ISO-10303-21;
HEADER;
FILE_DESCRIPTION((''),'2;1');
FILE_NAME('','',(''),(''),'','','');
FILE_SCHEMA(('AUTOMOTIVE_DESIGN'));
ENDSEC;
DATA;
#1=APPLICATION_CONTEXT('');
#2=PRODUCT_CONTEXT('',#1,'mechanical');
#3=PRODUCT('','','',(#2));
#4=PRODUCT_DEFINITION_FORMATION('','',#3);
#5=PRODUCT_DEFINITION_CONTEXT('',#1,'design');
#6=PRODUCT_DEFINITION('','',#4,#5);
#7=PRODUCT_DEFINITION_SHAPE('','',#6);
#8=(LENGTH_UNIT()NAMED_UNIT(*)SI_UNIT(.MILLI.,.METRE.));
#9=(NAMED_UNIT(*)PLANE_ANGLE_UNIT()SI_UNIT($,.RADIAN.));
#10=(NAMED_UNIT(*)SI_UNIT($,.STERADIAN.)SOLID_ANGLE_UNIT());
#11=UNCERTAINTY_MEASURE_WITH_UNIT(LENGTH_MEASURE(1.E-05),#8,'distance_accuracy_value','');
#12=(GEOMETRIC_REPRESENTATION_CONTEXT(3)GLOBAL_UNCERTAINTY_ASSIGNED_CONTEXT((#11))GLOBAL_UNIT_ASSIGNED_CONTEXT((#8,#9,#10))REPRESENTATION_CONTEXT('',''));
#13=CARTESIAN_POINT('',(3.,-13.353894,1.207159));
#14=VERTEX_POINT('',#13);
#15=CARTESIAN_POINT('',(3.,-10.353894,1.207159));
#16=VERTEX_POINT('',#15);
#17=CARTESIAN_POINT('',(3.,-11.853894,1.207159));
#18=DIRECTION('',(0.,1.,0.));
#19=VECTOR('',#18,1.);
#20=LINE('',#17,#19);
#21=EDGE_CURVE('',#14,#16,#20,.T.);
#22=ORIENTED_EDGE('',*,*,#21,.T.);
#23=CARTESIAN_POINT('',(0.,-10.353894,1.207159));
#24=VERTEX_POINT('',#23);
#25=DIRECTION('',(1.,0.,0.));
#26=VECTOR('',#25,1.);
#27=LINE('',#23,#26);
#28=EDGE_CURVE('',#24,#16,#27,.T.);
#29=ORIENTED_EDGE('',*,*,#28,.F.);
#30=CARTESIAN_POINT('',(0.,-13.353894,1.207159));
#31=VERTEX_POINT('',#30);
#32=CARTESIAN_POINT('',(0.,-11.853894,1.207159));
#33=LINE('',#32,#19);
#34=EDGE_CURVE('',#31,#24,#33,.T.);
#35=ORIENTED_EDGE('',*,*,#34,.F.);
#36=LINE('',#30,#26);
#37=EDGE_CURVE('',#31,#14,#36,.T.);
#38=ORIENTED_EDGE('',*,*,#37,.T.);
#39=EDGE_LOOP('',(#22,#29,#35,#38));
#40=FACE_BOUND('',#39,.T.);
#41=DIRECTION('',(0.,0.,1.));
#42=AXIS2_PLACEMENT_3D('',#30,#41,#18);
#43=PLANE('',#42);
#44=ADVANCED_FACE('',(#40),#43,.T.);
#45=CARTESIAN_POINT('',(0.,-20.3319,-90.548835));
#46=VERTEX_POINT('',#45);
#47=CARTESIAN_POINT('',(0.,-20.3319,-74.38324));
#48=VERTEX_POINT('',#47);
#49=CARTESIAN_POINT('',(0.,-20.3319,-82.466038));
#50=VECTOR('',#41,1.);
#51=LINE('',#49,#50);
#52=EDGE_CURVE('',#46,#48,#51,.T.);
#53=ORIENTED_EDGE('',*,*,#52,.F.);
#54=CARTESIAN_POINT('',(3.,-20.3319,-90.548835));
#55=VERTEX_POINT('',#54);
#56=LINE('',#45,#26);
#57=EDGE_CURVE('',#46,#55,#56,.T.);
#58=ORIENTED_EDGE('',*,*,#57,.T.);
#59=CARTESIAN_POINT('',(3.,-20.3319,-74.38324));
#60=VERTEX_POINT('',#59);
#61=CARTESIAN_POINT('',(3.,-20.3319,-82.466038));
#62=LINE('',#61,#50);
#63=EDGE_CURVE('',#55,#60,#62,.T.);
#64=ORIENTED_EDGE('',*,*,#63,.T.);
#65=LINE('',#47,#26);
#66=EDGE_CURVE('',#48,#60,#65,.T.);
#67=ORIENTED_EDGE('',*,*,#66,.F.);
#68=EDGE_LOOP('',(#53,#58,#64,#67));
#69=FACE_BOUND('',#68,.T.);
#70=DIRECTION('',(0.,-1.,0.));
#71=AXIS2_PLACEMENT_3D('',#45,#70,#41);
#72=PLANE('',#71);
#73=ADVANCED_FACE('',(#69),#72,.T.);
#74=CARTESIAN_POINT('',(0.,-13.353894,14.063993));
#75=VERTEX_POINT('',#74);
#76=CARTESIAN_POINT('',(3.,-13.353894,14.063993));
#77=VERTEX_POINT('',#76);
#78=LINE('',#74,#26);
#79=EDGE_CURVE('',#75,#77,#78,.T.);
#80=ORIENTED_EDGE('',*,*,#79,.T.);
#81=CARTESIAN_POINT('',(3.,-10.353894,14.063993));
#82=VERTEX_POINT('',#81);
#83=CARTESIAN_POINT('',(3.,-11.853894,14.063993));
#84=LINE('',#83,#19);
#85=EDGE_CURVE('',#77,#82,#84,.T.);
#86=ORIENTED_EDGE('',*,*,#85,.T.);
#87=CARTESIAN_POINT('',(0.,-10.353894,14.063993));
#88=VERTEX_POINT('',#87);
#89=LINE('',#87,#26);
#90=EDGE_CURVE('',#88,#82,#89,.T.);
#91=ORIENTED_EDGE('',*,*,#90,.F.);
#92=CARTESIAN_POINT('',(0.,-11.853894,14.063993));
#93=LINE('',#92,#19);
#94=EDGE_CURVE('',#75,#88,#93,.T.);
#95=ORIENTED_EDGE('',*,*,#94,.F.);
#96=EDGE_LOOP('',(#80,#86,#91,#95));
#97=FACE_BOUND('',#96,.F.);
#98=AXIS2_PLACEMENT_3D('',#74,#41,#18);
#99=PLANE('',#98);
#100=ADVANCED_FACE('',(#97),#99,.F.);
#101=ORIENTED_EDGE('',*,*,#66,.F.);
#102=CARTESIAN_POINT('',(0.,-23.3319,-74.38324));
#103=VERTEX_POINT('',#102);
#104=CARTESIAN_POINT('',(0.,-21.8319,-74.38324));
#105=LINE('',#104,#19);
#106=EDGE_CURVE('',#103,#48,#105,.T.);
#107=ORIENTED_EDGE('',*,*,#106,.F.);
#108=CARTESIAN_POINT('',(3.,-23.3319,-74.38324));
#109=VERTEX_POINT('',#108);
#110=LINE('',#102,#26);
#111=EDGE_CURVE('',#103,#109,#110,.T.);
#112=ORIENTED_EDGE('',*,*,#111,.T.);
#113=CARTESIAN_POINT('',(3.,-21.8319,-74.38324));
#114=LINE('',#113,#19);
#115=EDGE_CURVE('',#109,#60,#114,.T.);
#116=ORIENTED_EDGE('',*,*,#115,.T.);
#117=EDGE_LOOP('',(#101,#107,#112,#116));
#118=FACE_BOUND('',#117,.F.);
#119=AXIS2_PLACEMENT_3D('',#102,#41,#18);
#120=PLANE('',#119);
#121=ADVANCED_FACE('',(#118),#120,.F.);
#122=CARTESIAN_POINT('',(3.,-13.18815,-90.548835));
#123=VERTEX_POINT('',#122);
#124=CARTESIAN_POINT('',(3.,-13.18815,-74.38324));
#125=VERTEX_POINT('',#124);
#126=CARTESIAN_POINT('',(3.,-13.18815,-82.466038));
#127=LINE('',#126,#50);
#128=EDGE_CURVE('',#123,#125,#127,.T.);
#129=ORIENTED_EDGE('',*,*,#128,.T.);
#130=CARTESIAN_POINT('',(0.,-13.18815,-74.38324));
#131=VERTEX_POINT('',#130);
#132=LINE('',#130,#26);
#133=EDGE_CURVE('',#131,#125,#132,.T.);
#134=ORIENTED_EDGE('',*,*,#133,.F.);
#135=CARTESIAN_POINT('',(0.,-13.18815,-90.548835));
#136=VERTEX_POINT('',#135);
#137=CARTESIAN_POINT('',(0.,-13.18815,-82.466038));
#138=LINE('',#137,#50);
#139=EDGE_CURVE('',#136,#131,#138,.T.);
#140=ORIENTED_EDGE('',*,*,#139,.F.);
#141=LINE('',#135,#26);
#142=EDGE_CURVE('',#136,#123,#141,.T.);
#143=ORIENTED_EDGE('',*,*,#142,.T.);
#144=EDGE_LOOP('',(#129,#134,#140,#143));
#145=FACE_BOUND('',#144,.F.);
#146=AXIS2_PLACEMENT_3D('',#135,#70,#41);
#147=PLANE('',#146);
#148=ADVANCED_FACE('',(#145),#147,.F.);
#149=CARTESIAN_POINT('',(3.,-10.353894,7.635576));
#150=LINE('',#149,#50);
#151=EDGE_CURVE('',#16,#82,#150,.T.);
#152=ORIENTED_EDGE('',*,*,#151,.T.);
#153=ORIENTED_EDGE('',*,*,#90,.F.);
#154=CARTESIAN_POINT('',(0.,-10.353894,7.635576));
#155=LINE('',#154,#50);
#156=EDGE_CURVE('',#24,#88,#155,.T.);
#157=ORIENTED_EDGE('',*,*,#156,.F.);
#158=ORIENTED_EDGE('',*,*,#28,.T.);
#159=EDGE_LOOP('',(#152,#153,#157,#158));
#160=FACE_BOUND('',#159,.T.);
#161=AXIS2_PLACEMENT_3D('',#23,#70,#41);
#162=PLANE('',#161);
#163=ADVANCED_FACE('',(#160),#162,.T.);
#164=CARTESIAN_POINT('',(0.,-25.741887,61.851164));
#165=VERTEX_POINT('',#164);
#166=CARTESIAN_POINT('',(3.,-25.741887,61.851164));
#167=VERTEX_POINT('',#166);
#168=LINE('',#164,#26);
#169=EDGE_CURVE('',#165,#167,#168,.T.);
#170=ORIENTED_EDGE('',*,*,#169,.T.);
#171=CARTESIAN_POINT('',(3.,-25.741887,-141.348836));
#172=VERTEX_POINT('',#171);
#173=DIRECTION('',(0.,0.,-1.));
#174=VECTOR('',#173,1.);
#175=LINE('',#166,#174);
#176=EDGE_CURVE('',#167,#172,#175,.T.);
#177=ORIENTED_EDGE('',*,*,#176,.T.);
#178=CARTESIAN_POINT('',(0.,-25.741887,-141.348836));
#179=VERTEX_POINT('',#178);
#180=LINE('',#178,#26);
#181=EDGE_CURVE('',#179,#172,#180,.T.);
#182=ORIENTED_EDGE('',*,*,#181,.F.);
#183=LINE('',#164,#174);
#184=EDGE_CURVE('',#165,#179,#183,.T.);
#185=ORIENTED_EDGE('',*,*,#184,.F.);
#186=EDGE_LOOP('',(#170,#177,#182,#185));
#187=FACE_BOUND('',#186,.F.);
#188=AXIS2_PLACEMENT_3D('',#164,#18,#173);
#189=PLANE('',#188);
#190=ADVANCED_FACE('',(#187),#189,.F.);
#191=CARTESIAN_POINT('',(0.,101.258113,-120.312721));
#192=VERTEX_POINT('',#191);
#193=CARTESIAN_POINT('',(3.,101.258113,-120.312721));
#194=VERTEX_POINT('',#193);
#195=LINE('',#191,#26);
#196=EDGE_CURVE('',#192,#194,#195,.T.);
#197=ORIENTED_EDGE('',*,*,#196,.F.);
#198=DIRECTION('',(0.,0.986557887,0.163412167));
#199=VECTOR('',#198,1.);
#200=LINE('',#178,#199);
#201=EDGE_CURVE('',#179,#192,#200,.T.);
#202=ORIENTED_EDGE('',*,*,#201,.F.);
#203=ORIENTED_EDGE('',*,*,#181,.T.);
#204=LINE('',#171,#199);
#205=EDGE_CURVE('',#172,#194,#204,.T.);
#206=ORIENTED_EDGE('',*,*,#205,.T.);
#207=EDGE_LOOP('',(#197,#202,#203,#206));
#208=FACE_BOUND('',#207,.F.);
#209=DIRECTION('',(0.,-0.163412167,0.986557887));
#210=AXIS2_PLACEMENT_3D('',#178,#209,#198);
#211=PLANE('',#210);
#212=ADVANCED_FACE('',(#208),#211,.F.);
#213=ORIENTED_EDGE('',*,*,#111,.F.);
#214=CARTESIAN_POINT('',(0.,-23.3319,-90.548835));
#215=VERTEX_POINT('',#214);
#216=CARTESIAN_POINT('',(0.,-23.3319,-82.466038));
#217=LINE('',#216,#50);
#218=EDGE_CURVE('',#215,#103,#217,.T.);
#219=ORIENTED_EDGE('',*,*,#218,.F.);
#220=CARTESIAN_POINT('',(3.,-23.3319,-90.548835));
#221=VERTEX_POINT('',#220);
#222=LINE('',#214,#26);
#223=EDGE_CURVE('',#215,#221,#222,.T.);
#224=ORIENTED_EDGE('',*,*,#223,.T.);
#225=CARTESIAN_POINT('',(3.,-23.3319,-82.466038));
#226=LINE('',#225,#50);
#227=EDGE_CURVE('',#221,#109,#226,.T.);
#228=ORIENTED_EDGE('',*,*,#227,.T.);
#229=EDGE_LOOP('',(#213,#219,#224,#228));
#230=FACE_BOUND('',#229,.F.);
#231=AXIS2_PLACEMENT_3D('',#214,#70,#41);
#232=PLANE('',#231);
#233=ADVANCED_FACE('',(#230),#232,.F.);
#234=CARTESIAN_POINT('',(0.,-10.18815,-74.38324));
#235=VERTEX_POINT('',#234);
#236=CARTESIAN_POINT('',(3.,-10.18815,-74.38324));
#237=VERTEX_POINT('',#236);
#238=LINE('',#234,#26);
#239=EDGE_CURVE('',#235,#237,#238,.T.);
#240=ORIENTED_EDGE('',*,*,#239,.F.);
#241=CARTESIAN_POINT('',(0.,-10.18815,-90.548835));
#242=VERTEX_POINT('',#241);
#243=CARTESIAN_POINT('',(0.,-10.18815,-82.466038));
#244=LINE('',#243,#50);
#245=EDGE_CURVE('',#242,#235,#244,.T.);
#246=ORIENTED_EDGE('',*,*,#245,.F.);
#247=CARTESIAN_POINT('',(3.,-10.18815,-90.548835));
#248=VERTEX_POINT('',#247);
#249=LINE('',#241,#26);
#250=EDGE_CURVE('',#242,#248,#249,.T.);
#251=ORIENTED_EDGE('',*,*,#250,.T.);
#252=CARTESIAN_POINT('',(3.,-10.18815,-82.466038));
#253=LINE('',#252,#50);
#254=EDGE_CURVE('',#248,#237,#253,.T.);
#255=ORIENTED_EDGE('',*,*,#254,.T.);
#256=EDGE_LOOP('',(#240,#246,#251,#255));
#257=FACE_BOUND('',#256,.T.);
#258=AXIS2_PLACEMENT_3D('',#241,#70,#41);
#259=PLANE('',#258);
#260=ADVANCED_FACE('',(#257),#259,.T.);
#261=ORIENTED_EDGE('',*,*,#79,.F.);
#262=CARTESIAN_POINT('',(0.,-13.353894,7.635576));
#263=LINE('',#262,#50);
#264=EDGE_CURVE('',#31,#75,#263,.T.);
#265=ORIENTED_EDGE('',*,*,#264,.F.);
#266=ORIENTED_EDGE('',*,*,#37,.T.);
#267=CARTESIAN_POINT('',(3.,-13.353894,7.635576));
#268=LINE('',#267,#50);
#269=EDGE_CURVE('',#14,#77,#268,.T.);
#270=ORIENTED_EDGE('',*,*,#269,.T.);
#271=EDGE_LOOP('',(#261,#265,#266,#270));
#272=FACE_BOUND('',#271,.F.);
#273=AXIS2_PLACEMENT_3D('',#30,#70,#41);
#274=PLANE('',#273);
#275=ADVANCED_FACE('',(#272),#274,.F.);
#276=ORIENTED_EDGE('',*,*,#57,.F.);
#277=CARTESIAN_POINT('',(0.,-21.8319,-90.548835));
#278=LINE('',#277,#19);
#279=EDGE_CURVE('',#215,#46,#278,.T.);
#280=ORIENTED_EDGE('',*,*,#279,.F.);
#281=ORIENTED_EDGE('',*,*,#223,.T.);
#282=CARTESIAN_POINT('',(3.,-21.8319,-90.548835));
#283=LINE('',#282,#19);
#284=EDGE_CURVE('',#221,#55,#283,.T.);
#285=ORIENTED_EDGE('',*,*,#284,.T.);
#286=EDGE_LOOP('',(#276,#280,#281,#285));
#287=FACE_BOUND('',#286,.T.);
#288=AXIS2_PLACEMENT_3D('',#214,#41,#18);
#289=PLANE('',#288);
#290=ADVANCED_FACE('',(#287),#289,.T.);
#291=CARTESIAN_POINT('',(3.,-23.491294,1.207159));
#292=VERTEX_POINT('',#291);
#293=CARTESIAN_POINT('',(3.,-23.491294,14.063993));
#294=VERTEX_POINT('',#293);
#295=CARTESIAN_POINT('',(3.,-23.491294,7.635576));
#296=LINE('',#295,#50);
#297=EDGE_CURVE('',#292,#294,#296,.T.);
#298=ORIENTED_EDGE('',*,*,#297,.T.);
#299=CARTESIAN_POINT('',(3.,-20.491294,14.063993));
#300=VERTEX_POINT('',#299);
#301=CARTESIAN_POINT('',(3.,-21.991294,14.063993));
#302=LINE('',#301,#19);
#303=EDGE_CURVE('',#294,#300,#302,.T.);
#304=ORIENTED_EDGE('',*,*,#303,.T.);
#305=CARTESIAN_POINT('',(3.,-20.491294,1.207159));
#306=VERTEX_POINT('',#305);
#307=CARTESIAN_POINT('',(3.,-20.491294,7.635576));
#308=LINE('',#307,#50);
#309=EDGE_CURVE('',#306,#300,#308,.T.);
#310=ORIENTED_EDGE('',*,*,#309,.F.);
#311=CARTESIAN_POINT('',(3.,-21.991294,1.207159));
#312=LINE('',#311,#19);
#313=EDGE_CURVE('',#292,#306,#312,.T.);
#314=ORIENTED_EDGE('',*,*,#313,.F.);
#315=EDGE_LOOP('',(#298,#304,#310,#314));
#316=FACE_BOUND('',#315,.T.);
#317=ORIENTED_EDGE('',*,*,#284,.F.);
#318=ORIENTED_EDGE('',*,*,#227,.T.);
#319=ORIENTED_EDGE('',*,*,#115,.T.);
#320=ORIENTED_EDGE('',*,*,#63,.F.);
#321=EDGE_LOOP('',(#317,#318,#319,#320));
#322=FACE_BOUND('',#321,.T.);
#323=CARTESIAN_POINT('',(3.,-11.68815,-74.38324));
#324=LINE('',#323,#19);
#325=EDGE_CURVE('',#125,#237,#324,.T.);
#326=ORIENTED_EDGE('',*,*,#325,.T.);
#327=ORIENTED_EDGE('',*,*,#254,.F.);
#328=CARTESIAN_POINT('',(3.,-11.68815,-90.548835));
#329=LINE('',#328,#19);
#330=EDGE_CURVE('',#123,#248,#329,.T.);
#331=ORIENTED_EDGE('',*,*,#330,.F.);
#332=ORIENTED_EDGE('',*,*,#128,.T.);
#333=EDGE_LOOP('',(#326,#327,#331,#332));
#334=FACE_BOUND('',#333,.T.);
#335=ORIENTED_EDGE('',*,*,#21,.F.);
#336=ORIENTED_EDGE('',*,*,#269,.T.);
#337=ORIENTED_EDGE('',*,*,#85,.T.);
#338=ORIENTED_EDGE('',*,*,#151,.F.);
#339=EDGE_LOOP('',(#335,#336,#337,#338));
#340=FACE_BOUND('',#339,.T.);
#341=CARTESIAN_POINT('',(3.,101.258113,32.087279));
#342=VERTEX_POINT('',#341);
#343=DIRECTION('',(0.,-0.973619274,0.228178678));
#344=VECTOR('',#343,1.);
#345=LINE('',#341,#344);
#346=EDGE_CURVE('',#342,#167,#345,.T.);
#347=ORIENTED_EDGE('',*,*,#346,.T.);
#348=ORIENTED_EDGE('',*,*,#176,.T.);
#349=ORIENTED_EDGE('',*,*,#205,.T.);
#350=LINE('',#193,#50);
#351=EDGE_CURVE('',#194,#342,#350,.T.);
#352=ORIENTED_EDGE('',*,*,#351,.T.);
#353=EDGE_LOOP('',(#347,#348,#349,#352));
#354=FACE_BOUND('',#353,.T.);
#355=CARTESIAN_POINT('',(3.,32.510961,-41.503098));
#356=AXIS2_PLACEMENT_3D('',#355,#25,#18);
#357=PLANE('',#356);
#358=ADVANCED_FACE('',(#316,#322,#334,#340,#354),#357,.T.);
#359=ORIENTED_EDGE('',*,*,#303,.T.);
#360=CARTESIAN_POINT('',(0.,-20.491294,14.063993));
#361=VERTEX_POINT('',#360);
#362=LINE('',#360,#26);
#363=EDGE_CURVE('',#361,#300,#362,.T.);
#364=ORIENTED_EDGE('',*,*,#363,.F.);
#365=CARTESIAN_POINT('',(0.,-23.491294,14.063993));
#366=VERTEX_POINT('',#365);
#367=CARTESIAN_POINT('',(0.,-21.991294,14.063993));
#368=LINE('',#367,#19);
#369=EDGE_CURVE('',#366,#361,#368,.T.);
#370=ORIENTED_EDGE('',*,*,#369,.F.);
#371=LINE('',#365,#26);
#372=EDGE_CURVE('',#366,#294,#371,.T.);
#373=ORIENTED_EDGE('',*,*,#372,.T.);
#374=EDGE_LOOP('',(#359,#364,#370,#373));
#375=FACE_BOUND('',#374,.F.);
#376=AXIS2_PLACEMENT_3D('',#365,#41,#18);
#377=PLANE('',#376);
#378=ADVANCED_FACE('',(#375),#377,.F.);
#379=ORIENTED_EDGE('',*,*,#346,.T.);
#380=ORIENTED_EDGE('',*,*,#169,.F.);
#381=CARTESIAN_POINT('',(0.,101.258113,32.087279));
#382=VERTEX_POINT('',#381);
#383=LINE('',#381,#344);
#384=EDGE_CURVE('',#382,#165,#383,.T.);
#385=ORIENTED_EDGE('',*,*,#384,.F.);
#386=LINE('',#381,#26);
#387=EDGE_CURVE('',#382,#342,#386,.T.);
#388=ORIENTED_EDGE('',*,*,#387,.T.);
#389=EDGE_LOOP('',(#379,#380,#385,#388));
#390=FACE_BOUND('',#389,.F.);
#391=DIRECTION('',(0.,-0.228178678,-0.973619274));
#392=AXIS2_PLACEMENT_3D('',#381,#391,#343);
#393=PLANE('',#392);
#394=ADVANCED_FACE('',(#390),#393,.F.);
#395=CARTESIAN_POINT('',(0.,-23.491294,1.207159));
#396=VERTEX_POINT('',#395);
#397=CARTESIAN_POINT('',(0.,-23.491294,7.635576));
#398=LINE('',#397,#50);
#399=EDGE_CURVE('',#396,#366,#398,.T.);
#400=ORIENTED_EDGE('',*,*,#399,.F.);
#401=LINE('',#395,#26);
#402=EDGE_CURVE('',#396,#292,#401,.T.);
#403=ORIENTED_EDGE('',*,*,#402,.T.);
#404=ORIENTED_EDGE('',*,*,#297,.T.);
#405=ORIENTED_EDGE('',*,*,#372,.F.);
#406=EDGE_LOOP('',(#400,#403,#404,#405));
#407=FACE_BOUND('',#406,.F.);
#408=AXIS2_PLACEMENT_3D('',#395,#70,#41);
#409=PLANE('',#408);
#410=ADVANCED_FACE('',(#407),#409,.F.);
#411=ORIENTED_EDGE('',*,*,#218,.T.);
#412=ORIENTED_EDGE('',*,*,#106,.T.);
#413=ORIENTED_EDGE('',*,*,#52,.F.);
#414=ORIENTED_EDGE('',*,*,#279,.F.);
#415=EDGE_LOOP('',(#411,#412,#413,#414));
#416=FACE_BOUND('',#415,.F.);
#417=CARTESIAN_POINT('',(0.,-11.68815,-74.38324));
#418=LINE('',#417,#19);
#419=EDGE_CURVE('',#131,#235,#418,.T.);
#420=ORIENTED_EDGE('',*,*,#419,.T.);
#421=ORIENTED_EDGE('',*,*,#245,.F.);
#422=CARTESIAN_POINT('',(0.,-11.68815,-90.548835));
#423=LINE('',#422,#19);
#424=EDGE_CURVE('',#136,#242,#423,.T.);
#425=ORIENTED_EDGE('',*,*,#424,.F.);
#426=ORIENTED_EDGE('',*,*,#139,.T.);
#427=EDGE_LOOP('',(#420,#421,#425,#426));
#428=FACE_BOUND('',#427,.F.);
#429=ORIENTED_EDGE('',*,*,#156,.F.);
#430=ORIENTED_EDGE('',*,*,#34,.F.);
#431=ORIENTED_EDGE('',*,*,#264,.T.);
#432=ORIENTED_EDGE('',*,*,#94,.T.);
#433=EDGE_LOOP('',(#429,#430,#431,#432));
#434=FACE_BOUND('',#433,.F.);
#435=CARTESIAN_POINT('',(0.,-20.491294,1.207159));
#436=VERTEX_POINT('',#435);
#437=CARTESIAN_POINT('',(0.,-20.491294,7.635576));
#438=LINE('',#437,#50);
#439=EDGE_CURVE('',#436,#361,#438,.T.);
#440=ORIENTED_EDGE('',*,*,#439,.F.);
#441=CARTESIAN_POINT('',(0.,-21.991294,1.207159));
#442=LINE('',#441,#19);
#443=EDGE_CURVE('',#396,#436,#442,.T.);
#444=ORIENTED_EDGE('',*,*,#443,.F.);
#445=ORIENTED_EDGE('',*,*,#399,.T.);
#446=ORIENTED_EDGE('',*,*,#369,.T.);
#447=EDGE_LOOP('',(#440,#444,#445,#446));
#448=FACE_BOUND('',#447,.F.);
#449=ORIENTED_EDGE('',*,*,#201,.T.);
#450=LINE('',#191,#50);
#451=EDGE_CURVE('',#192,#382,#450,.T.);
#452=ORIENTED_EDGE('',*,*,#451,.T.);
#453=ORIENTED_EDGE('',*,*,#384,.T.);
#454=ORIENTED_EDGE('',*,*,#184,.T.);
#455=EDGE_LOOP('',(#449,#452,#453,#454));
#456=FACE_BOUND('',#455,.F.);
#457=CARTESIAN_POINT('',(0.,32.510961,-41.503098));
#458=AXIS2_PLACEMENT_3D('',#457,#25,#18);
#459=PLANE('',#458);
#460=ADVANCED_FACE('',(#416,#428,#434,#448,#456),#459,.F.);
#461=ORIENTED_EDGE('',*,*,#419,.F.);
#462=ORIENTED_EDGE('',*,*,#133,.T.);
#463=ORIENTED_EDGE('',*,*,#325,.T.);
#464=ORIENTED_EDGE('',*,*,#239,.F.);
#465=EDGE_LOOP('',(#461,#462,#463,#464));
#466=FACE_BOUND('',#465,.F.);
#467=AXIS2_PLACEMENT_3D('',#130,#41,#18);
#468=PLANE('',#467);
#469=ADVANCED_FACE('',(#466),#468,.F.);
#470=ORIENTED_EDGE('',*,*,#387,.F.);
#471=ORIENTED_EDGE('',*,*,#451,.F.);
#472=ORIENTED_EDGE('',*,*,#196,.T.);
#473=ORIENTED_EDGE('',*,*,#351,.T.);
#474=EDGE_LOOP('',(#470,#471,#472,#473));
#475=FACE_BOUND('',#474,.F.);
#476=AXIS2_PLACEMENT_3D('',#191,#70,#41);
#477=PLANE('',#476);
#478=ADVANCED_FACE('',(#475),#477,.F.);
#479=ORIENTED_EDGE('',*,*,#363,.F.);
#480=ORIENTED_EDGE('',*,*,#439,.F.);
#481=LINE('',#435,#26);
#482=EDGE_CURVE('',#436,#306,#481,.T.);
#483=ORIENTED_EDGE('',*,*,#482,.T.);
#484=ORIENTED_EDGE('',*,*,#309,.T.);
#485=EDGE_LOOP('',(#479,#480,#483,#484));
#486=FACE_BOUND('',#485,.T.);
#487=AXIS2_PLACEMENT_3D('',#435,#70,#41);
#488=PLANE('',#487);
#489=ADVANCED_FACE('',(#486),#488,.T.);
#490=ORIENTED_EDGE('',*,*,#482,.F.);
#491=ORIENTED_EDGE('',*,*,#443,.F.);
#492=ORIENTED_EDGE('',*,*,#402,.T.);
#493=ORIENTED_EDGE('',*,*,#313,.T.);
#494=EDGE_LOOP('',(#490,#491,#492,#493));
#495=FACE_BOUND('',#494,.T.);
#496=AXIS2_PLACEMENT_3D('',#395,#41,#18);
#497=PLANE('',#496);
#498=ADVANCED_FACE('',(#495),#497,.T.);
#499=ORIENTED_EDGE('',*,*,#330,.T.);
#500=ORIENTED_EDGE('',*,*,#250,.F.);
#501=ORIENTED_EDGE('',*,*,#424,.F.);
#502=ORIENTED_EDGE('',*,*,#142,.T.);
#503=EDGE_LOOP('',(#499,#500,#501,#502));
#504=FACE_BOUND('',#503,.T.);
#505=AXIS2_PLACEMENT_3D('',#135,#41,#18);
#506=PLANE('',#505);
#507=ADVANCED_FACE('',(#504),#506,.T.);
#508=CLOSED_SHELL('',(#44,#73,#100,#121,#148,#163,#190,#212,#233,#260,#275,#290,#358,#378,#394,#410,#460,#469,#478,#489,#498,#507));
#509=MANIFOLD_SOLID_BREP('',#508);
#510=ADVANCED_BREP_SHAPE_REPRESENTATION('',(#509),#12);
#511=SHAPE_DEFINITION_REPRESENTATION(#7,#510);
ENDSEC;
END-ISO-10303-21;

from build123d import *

# Parameters (mm, degrees)
F0_W     = 3
F0_H     = 16.165595
F0_H_2   = 12.856834
F1_DEPTH = 3


with BuildPart() as f1:
    # F0 (on Right) → F1 (new body)
    with BuildSketch(Plane.YZ):
        Polygon((101.258113, 32.087279), (-25.741887, 61.851164), (-25.741887, -141.348836), (101.258113, -120.312721), align=None)
        with Locations((-21.8319, -82.466038)):
            Rectangle(F0_W, F0_H, mode=Mode.SUBTRACT)
        with Locations((-11.68815, -82.466038)):
            Rectangle(F0_W, F0_H, mode=Mode.SUBTRACT)
        with Locations((-21.991294, 7.635576)):
            Rectangle(F0_W, F0_H_2, mode=Mode.SUBTRACT)
        with Locations((-11.853894, 7.635576)):
            Rectangle(F0_W, F0_H_2, mode=Mode.SUBTRACT)
    extrude(amount=F1_DEPTH)


solid = f1.part
